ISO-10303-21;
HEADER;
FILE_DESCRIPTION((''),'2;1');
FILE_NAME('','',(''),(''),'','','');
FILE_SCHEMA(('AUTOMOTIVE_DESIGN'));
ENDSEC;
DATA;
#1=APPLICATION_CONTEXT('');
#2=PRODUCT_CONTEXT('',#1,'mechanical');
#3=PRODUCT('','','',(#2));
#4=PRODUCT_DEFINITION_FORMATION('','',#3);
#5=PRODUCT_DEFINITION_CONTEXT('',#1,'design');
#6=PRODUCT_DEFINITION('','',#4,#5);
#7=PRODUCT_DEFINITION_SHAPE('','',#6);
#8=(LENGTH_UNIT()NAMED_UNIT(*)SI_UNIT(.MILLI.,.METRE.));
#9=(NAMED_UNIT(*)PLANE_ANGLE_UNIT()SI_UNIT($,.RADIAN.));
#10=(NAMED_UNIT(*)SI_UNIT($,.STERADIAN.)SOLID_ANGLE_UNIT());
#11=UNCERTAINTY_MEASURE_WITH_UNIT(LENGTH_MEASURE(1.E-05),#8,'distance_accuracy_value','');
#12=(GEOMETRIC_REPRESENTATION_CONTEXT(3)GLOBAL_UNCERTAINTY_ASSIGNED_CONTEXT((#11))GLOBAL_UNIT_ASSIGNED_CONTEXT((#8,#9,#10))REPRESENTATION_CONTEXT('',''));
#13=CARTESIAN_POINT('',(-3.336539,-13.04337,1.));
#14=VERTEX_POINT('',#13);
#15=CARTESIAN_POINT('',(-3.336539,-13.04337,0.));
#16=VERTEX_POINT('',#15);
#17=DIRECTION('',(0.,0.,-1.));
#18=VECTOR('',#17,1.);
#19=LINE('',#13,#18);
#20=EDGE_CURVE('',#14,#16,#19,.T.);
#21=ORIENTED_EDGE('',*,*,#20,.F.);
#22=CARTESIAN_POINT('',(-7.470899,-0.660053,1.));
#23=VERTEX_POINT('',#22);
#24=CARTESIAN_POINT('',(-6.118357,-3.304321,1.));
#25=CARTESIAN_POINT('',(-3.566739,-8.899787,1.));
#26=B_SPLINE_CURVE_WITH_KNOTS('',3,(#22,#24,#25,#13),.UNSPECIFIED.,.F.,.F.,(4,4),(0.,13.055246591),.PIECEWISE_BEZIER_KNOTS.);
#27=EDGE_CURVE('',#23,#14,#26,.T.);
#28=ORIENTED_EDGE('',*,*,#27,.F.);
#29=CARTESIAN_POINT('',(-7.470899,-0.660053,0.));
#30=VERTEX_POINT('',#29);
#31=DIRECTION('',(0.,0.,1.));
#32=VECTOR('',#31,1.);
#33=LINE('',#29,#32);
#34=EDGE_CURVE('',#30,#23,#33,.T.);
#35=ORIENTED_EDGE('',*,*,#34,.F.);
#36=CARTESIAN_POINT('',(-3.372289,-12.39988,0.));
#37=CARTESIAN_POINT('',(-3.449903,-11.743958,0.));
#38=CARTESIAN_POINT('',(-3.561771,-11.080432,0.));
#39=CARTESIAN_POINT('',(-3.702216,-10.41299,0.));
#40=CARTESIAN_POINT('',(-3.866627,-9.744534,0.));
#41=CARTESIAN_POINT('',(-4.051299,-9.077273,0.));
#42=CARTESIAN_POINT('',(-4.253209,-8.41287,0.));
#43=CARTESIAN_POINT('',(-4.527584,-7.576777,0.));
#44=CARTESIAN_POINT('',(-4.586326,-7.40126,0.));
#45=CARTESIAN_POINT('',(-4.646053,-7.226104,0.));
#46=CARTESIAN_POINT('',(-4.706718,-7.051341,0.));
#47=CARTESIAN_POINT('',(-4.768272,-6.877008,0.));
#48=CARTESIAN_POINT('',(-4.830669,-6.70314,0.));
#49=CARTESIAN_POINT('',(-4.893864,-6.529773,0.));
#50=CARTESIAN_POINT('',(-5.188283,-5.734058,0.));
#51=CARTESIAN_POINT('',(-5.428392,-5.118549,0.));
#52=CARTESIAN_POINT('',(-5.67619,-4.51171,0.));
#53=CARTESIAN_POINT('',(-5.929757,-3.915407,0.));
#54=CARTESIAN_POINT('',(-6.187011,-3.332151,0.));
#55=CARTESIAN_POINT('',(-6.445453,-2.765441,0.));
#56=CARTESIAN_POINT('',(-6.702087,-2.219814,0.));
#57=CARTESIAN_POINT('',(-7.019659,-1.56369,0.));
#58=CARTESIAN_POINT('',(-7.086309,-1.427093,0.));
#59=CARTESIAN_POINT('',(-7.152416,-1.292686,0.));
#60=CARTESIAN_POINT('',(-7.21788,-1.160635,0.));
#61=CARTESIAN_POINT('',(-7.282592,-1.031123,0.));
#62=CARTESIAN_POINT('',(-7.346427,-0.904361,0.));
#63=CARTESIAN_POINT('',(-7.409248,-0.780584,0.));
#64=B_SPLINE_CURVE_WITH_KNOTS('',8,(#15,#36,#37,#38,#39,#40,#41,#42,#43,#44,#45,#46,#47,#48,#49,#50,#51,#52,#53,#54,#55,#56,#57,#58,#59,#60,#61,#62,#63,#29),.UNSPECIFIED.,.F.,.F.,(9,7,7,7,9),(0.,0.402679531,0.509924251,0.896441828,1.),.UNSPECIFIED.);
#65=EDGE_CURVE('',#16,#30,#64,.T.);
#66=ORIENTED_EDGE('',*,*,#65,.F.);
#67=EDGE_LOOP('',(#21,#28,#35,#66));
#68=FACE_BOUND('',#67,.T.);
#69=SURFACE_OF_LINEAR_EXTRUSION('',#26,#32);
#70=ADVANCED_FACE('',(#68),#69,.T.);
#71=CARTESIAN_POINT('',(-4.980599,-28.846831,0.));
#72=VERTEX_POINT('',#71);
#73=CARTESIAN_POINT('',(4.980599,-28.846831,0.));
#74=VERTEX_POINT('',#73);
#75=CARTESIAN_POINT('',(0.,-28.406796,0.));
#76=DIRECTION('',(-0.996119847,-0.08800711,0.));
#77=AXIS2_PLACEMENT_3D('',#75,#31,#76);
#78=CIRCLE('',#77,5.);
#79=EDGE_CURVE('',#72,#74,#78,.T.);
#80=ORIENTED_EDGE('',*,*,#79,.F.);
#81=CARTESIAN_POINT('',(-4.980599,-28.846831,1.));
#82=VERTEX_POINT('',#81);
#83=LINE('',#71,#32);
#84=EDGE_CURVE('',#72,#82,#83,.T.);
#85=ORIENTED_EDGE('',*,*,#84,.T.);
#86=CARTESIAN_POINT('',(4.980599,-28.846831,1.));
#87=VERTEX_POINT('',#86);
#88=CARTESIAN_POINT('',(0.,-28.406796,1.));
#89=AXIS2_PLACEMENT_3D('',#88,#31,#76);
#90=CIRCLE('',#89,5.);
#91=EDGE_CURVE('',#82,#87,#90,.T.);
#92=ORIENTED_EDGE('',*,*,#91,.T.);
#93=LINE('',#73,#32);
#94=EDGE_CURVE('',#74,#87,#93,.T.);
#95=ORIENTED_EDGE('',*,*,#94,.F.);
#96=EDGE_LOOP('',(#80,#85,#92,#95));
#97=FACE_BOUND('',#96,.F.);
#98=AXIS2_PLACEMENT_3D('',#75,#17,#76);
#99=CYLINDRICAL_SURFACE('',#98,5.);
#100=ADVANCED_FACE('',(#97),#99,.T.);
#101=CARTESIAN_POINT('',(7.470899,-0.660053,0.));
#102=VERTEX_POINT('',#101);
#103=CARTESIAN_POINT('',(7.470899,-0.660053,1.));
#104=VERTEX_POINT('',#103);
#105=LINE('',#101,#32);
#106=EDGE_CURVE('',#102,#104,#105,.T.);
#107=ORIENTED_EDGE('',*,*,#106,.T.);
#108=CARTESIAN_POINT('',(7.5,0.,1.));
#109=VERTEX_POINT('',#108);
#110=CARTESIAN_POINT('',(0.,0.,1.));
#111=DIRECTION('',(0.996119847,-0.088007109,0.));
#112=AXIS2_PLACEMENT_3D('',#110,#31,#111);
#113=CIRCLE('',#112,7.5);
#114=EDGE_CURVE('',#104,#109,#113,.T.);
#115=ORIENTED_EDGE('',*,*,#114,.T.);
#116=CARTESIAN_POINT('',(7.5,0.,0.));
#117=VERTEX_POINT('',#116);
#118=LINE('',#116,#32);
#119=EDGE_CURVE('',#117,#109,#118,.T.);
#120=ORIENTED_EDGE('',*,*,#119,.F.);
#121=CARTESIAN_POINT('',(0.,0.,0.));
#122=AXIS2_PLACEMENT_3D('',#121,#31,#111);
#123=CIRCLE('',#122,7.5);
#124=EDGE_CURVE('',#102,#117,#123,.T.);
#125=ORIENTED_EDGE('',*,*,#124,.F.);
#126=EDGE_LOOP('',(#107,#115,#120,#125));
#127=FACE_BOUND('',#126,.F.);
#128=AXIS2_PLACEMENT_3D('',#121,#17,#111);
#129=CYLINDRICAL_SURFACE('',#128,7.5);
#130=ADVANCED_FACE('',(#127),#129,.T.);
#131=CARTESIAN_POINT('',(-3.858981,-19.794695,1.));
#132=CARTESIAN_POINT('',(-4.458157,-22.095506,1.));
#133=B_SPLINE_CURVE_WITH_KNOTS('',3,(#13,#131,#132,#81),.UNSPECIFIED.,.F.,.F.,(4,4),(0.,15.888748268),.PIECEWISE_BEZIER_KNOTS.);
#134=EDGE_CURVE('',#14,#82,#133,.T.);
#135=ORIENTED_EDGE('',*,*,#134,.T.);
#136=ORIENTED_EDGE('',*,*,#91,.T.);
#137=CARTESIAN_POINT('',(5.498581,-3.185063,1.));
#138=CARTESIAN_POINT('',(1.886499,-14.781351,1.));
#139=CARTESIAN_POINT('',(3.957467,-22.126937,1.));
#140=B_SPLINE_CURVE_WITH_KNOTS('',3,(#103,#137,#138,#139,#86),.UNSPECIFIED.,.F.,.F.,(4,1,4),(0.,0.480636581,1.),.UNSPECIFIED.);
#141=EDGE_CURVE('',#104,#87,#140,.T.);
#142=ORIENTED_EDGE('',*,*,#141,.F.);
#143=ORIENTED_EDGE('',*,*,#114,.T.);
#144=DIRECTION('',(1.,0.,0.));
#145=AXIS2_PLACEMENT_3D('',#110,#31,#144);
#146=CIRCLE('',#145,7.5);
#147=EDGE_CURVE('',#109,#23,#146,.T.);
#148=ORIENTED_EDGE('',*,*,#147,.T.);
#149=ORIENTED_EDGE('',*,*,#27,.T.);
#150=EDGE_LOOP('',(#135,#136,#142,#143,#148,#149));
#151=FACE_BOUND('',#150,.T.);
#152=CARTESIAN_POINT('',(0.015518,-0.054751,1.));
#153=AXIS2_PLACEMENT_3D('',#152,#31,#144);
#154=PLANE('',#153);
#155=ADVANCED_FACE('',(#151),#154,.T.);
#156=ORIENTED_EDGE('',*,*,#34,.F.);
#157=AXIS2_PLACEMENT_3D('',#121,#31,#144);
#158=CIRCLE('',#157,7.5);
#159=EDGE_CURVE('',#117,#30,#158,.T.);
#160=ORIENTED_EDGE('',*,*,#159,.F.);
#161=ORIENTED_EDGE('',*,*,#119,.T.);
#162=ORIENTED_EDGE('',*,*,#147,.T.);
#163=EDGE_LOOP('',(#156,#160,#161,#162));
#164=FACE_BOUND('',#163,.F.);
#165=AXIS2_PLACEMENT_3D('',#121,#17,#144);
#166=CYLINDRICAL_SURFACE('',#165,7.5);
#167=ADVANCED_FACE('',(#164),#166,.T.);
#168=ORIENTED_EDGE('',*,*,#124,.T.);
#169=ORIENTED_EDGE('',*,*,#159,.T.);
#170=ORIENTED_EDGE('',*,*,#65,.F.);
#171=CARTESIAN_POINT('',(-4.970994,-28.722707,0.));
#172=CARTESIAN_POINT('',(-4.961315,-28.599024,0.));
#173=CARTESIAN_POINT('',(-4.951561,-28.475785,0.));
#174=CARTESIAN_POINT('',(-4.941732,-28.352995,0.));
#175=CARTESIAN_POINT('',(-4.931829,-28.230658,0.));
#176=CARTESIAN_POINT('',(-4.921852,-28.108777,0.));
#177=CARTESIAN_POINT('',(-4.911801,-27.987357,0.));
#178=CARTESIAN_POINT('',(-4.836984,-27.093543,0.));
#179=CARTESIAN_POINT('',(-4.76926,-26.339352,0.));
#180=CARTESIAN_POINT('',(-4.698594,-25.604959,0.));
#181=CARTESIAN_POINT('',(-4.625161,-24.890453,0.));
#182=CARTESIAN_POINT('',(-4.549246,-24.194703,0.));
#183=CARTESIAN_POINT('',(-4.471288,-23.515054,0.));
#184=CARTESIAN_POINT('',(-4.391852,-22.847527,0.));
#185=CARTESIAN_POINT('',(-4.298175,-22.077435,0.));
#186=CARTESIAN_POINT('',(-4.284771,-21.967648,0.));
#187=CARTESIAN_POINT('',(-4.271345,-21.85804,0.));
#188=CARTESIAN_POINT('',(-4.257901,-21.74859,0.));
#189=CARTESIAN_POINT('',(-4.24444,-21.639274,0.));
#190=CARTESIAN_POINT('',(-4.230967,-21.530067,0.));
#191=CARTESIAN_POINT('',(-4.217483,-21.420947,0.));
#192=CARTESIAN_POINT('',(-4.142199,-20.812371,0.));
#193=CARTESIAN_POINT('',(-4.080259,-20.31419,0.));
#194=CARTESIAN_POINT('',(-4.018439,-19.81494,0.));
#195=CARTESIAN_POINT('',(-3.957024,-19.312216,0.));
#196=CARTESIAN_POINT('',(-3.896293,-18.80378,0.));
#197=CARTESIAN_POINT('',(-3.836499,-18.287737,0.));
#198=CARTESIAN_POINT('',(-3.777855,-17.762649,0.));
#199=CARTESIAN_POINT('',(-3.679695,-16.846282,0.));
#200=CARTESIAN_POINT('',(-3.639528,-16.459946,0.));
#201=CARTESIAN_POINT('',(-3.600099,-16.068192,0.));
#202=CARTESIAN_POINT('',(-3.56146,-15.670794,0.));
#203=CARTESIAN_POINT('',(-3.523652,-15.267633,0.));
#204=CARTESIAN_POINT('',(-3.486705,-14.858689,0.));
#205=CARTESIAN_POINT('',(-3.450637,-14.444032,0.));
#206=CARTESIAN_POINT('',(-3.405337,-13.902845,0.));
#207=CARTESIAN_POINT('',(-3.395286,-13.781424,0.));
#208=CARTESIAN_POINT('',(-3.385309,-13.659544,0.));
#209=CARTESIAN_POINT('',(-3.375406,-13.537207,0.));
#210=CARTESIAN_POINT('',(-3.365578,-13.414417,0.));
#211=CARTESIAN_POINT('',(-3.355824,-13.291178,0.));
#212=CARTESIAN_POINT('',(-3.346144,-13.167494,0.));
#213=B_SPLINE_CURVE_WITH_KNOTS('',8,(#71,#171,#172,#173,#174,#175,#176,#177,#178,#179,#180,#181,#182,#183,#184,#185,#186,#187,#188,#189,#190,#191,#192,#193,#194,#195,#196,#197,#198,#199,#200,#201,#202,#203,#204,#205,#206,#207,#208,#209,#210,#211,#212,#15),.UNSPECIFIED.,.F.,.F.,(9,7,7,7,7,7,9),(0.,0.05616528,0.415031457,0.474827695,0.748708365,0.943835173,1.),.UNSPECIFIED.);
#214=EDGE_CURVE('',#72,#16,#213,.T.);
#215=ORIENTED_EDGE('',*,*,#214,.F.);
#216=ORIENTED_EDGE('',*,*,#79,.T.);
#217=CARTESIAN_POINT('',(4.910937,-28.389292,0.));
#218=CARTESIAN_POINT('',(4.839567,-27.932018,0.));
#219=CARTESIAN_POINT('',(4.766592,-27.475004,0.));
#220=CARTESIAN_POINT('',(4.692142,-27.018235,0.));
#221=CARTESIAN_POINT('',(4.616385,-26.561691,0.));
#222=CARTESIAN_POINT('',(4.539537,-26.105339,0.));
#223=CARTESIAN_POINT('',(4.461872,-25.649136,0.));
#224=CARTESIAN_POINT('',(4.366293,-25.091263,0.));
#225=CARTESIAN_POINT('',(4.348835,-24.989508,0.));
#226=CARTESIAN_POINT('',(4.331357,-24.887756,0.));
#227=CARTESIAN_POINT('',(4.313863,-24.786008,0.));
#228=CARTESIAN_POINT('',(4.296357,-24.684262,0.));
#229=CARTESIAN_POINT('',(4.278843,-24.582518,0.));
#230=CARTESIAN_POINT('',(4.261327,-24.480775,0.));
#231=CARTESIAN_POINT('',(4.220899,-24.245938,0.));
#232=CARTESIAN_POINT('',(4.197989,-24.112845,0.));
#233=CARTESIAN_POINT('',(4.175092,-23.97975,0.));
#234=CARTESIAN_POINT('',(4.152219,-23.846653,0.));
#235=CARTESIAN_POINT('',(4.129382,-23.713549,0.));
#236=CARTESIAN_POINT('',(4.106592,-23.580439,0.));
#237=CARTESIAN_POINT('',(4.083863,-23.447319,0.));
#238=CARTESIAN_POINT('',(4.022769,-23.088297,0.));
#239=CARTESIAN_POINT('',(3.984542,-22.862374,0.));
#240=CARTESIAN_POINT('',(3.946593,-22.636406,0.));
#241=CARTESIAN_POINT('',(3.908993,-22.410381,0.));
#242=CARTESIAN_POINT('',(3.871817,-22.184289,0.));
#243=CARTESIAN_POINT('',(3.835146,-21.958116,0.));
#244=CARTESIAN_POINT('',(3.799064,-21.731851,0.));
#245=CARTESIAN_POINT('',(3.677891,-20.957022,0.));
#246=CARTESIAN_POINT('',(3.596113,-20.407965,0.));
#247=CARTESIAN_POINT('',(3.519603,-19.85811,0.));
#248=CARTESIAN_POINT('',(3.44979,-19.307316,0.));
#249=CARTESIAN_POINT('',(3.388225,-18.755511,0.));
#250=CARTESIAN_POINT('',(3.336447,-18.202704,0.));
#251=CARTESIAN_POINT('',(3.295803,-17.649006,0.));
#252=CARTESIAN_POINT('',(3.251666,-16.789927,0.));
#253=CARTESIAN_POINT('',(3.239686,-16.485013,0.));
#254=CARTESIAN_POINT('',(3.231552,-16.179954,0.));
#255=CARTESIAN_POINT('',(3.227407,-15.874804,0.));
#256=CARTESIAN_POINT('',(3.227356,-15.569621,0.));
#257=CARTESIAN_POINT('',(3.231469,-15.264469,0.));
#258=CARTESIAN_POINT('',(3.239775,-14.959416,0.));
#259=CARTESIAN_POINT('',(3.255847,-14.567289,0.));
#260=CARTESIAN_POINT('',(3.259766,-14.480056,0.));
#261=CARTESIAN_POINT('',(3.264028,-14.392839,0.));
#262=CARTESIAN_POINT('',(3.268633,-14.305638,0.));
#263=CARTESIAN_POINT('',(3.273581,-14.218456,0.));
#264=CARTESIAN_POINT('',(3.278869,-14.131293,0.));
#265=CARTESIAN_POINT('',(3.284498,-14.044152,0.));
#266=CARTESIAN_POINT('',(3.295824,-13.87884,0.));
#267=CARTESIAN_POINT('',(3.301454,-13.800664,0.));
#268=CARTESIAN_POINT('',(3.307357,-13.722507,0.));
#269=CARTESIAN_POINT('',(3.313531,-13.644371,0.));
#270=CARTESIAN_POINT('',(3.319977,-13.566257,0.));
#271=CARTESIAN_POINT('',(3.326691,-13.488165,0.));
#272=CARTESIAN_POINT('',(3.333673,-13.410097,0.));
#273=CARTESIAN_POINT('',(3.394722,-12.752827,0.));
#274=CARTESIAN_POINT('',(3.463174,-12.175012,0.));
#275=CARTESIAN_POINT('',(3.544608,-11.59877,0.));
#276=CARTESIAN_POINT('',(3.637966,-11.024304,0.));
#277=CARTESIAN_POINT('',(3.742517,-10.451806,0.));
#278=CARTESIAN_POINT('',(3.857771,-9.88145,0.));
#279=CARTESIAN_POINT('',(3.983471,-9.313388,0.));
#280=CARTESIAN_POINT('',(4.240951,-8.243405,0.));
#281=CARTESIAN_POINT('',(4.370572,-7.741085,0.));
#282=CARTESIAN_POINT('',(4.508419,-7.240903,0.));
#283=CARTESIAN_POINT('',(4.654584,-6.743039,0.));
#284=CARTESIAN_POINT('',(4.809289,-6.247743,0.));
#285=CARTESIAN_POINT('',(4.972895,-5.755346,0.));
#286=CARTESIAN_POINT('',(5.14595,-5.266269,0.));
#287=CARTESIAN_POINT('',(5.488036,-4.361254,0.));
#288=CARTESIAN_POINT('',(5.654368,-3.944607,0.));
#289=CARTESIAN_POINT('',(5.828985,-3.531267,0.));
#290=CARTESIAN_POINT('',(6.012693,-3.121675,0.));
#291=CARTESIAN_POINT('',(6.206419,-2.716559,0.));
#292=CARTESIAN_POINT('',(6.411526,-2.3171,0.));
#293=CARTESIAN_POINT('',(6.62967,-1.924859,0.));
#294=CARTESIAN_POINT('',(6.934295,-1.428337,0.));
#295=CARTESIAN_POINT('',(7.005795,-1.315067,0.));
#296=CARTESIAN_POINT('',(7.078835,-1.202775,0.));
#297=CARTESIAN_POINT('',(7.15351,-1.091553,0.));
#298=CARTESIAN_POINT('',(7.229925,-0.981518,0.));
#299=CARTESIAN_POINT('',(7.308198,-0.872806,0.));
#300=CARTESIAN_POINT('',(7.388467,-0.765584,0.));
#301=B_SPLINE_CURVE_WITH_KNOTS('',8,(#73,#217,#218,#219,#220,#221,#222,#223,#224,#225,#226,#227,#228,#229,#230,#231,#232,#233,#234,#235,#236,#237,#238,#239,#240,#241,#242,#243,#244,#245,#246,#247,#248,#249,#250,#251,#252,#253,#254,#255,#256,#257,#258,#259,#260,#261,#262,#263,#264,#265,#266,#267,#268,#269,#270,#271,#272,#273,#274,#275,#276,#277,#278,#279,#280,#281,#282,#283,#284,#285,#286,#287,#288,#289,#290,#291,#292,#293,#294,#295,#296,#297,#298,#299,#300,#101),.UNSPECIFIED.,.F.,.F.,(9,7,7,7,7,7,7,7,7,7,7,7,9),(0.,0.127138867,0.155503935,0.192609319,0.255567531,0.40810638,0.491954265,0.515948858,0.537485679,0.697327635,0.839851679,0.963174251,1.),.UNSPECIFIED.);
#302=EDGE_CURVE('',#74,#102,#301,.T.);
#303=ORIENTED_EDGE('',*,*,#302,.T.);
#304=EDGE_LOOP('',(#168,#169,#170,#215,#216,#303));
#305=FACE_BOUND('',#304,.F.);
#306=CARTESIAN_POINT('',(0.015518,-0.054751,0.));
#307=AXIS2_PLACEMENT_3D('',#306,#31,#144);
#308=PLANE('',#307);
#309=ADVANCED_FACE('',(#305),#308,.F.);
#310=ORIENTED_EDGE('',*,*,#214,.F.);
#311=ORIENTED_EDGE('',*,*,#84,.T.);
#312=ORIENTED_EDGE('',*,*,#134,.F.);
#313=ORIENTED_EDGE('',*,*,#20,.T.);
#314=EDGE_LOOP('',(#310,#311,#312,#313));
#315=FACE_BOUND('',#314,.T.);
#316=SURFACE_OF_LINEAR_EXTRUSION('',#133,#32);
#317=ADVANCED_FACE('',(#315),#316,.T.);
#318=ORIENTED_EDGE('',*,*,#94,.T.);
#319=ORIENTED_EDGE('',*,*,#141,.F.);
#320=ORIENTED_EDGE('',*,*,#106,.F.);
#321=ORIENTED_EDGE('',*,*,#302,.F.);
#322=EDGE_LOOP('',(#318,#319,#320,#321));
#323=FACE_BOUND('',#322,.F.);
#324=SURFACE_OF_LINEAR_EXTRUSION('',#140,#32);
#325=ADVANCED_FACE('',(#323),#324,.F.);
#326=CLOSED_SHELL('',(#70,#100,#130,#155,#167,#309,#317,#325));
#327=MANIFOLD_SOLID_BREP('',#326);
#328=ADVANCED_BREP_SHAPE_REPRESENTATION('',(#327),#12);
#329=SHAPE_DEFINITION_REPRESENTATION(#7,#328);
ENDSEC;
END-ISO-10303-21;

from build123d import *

# Parameters (mm, degrees)
F1_DEPTH = 1
F3_DEPTH = 1.001


with BuildPart() as f1:
    # F0 (on Top) → F1 (new body)
    with BuildSketch(Plane.XY):
        with BuildLine():
            ThreePointArc((7.4708988489, -0.6600533237), (7.4927211801, -0.3303472669), (7.5, 0))
            ThreePointArc((7.5, 0), (-0.3303472669, 7.4927211801), (-7.4708988489, -0.6600533237))
            ThreePointArc((-7.4708988489, -0.6600533237), (0, -7.5), (7.4708988489, -0.6600533237))
        make_face()
        with BuildLine():
            ThreePointArc((7.4708988489, -0.6600533237), (0, -7.5), (-7.4708988489, -0.6600533237))
            Line((-7.4708988489, -0.6600533237), (-4.9805992326, -28.8468313747))
            ThreePointArc((-4.9805992326, -28.8468313747), (-0.2202315113, -23.4116483722), (5, -28.4067958256))
            ThreePointArc((5, -28.4067958256), (4.9951474534, -28.6270273369), (4.9805992326, -28.8468313747))
            Line((4.9805992326, -28.8468313747), (7.4708988489, -0.6600533237))
        make_face()
        with BuildLine():
            ThreePointArc((5, -28.4067958256), (-0.2202315113, -23.4116483722), (-4.9805992326, -28.8468313747))
            ThreePointArc((-4.9805992326, -28.8468313747), (0, -33.4067958256), (4.9805992326, -28.8468313747))
            ThreePointArc((4.9805992326, -28.8468313747), (4.9951474534, -28.6270273369), (5, -28.4067958256))
        make_face()
    extrude(amount=F1_DEPTH)

    # F2 (on face) → F3 (cut, through all)
    with BuildSketch(Plane.XY.offset(1)):
        with BuildLine():
            Line((4.9805992326, -28.8468313747), (7.4708988489, -0.6600533237))
            add(Edge.make_bspline(
                [(7.4708988489, -0.6600533237), (5.498580859, -3.1850634696), (1.8864989838, -14.7813510423), (3.9574673082, -22.1269366386), (4.9805992326, -28.8468313747)],
                knots=[0, 0, 0, 0, 0.4806365809, 1, 1, 1, 1], degree=3))
        make_face()
        with BuildLine():
            add(Edge.make_bspline(
                [(-7.4708988489, -0.6600533237), (-6.1183570617, -3.3043206109), (-3.5667393822, -8.8997869752), (-3.3365392592, -13.0433700979)],
                knots=[0, 0, 0, 0, 13.0552465908, 13.0552465908, 13.0552465908, 13.0552465908], degree=3))
            Line((-7.4708988489, -0.6600533237), (-4.9805992326, -28.8468313747))
            add(Edge.make_bspline(
                [(-3.3365392592, -13.0433700979), (-3.8589811743, -19.7946954944), (-4.4581573175, -22.0955059782), (-4.9805992326, -28.8468313747)],
                knots=[0, 0, 0, 0, 15.888748268, 15.888748268, 15.888748268, 15.888748268], degree=3))
        make_face()
    extrude(amount=-F3_DEPTH, mode=Mode.SUBTRACT)


solid = f1.part
